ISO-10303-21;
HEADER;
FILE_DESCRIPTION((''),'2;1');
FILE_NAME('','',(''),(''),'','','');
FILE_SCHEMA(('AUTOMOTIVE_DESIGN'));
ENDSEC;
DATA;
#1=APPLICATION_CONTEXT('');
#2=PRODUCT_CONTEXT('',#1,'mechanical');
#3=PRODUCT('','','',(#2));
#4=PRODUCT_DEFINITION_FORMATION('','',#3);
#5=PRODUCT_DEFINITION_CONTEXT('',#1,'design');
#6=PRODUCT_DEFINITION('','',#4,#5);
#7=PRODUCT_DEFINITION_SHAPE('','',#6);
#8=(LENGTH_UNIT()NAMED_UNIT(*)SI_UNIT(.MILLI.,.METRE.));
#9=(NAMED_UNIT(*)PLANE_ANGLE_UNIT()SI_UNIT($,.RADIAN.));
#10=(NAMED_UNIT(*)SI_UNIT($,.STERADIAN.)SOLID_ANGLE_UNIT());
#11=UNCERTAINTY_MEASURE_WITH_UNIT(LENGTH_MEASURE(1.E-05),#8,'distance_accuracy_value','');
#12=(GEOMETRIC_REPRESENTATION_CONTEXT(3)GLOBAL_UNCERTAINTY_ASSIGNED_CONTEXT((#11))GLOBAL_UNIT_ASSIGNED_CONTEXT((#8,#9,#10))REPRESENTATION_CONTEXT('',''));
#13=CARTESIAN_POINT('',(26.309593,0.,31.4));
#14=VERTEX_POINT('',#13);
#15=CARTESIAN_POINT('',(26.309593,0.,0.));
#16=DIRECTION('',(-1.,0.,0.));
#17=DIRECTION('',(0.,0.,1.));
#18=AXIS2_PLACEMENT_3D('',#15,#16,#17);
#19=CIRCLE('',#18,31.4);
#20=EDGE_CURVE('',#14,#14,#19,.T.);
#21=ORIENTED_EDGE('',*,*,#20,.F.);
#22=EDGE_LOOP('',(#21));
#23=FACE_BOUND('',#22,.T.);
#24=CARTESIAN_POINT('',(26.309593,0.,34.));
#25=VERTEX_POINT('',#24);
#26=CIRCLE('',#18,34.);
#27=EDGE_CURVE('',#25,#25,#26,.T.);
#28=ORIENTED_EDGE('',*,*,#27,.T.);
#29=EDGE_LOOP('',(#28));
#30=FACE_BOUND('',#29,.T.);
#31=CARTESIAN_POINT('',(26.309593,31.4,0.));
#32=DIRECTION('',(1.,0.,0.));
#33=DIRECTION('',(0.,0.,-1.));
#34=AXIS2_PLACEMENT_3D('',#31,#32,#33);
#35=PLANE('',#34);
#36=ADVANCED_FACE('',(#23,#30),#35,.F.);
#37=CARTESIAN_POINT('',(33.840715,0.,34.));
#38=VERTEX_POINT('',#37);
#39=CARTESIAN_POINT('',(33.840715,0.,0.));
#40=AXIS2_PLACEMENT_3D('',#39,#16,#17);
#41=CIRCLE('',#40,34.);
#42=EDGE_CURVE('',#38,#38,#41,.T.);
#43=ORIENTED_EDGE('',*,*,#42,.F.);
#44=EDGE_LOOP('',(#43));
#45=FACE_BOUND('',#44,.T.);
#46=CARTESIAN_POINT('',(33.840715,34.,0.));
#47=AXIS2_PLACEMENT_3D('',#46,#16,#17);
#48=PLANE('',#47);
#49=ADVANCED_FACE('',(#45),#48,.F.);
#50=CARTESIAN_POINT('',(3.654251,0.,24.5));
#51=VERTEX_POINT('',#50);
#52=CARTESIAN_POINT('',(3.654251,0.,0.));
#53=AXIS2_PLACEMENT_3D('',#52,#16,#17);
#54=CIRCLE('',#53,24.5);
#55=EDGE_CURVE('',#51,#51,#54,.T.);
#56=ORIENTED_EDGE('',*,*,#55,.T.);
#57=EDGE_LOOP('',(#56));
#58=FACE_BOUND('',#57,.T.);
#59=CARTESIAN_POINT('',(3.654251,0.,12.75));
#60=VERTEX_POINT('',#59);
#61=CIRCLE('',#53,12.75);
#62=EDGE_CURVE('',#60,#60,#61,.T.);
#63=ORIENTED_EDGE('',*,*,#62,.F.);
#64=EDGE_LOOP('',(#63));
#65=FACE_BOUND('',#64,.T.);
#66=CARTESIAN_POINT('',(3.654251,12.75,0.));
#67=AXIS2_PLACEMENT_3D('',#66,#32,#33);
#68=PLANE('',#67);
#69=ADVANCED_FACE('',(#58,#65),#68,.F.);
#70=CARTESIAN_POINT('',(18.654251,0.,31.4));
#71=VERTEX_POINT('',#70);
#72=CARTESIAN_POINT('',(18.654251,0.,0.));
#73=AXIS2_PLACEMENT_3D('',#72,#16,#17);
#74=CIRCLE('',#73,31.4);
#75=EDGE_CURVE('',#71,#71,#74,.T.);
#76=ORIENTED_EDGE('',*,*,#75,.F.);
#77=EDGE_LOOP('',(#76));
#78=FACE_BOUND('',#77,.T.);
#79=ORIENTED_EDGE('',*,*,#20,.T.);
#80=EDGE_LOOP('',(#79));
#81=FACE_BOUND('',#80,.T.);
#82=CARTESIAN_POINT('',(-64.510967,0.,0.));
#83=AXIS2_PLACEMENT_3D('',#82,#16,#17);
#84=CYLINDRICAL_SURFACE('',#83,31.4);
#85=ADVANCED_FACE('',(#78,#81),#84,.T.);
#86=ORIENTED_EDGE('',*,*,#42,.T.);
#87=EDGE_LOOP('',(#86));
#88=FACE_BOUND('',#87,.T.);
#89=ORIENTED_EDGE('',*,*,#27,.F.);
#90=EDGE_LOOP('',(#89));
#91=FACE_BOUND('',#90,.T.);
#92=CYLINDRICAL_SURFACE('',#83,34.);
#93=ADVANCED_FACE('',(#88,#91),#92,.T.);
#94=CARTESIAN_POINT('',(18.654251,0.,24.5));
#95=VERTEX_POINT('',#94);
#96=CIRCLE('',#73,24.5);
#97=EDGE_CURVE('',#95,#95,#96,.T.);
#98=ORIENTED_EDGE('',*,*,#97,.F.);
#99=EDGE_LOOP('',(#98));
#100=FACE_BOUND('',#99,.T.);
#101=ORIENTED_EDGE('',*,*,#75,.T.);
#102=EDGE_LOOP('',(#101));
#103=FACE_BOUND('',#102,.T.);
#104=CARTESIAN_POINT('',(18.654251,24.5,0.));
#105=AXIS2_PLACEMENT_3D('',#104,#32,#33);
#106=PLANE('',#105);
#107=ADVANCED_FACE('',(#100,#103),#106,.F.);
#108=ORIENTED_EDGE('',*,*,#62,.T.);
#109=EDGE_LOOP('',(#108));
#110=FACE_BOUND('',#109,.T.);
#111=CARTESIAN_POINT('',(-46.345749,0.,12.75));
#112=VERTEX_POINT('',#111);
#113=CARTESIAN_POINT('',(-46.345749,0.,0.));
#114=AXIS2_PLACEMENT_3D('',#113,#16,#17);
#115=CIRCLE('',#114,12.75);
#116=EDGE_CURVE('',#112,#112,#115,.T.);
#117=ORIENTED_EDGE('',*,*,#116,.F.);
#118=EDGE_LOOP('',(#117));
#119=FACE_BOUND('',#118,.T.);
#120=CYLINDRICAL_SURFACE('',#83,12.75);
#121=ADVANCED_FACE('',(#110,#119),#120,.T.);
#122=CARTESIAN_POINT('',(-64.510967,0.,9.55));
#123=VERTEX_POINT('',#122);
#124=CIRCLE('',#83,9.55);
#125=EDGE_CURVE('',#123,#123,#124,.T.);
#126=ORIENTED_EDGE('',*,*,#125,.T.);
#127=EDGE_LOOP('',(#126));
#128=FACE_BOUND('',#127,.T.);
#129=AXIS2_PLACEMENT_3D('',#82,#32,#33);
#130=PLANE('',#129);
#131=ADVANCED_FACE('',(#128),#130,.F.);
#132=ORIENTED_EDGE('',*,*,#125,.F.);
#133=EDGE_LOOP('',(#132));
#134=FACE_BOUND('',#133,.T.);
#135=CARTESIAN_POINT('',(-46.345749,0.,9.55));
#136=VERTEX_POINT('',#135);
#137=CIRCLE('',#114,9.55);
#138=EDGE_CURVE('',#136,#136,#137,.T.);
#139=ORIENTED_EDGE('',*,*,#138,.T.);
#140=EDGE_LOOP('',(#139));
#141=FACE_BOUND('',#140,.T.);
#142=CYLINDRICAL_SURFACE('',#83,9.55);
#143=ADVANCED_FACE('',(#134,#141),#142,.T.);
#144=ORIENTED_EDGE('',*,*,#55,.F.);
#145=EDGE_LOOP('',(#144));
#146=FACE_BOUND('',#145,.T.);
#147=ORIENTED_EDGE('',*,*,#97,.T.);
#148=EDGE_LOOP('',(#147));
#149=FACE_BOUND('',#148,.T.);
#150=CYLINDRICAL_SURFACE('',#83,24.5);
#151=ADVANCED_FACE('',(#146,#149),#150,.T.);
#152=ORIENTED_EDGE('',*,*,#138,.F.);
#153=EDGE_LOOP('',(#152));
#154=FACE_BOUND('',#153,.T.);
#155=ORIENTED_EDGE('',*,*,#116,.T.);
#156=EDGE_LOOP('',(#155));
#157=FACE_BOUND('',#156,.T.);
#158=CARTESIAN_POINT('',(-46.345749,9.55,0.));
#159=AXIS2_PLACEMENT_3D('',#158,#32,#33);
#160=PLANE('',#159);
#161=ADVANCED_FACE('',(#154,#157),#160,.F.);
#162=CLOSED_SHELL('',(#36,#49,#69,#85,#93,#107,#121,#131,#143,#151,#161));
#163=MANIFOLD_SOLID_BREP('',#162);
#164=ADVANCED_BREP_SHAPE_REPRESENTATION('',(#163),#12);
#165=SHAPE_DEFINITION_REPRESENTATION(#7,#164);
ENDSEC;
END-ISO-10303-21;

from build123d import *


with BuildPart() as part:
    # Sketch1 → Revolve1 (revolve)
    with BuildSketch(Plane.XY, mode=Mode.PRIVATE) as revolve1_sk:
        Polygon((-64.510967422, 0), (-64.510967422, 9.55), (-46.34574906, 9.55), (-46.34574906, 12.75), (3.65425094, 12.75), (3.65425094, 24.5), (18.65425094, 24.5), (18.65425094, 31.4), (26.309592964, 31.4), (26.309592964, 34), (33.840714853, 34), (33.840714853, 0), align=None)
    revolve(revolve1_sk.sketch.rotate(Axis((-64.510967422, 0, 0), (1, 0, 0)), 90), axis=Axis((-64.510967422, 0, 0), (1, 0, 0)))


solid = part.part
